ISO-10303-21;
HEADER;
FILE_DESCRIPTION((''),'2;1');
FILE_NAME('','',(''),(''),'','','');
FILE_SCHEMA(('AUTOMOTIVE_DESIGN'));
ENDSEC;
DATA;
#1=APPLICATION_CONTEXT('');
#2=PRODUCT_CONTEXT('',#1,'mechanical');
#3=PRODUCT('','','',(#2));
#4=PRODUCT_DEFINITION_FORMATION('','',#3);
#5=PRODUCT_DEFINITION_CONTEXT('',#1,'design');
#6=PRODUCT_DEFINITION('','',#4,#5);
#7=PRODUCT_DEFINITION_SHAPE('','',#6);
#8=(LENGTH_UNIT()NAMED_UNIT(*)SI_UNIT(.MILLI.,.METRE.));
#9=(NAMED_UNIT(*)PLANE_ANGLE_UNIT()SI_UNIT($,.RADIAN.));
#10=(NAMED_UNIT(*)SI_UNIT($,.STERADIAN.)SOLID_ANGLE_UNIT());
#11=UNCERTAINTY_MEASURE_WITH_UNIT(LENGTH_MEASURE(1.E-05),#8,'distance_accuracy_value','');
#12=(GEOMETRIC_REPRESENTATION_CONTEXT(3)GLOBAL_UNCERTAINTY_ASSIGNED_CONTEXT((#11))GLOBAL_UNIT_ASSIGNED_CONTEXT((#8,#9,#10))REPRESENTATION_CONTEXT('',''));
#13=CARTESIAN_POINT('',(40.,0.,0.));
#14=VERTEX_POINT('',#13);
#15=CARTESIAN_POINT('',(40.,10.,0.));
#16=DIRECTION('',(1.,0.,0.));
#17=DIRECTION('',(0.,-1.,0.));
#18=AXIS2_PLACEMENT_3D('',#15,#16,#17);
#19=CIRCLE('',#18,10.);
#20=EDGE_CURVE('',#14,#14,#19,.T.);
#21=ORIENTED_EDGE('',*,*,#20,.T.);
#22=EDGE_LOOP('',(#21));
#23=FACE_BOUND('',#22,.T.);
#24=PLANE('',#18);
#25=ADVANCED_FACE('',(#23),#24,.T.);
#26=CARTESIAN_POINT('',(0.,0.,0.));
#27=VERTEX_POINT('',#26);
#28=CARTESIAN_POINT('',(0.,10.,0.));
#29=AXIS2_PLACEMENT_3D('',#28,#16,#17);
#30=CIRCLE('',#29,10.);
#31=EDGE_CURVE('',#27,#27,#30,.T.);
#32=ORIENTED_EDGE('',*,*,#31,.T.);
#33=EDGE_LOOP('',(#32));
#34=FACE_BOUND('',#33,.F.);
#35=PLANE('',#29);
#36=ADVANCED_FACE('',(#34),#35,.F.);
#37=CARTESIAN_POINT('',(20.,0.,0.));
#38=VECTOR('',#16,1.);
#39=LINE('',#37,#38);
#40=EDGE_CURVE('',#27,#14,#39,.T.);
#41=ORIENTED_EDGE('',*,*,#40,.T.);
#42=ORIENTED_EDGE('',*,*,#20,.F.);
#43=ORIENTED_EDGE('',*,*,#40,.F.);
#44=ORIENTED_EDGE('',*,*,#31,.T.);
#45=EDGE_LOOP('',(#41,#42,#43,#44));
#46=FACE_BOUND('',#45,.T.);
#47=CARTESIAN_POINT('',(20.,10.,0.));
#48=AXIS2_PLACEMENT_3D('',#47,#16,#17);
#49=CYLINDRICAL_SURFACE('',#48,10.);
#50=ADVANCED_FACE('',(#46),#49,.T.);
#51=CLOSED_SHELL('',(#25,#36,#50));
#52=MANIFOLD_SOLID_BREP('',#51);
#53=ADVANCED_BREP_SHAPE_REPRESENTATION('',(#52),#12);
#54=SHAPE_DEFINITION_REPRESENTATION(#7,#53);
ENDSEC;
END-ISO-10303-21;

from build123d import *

# Parameters (mm, degrees)
SCHIZZO1_W = 40
SCHIZZO1_H = 10


with BuildPart() as part:
    # Schizzo1 → Rivoluzione1 (revolve)
    with BuildSketch(Plane.XY):
        with Locations((20, 5)):
            Rectangle(SCHIZZO1_W, SCHIZZO1_H)
    revolve(axis=Axis((0, 10, 0), (1, 0, 0)))


solid = part.part
